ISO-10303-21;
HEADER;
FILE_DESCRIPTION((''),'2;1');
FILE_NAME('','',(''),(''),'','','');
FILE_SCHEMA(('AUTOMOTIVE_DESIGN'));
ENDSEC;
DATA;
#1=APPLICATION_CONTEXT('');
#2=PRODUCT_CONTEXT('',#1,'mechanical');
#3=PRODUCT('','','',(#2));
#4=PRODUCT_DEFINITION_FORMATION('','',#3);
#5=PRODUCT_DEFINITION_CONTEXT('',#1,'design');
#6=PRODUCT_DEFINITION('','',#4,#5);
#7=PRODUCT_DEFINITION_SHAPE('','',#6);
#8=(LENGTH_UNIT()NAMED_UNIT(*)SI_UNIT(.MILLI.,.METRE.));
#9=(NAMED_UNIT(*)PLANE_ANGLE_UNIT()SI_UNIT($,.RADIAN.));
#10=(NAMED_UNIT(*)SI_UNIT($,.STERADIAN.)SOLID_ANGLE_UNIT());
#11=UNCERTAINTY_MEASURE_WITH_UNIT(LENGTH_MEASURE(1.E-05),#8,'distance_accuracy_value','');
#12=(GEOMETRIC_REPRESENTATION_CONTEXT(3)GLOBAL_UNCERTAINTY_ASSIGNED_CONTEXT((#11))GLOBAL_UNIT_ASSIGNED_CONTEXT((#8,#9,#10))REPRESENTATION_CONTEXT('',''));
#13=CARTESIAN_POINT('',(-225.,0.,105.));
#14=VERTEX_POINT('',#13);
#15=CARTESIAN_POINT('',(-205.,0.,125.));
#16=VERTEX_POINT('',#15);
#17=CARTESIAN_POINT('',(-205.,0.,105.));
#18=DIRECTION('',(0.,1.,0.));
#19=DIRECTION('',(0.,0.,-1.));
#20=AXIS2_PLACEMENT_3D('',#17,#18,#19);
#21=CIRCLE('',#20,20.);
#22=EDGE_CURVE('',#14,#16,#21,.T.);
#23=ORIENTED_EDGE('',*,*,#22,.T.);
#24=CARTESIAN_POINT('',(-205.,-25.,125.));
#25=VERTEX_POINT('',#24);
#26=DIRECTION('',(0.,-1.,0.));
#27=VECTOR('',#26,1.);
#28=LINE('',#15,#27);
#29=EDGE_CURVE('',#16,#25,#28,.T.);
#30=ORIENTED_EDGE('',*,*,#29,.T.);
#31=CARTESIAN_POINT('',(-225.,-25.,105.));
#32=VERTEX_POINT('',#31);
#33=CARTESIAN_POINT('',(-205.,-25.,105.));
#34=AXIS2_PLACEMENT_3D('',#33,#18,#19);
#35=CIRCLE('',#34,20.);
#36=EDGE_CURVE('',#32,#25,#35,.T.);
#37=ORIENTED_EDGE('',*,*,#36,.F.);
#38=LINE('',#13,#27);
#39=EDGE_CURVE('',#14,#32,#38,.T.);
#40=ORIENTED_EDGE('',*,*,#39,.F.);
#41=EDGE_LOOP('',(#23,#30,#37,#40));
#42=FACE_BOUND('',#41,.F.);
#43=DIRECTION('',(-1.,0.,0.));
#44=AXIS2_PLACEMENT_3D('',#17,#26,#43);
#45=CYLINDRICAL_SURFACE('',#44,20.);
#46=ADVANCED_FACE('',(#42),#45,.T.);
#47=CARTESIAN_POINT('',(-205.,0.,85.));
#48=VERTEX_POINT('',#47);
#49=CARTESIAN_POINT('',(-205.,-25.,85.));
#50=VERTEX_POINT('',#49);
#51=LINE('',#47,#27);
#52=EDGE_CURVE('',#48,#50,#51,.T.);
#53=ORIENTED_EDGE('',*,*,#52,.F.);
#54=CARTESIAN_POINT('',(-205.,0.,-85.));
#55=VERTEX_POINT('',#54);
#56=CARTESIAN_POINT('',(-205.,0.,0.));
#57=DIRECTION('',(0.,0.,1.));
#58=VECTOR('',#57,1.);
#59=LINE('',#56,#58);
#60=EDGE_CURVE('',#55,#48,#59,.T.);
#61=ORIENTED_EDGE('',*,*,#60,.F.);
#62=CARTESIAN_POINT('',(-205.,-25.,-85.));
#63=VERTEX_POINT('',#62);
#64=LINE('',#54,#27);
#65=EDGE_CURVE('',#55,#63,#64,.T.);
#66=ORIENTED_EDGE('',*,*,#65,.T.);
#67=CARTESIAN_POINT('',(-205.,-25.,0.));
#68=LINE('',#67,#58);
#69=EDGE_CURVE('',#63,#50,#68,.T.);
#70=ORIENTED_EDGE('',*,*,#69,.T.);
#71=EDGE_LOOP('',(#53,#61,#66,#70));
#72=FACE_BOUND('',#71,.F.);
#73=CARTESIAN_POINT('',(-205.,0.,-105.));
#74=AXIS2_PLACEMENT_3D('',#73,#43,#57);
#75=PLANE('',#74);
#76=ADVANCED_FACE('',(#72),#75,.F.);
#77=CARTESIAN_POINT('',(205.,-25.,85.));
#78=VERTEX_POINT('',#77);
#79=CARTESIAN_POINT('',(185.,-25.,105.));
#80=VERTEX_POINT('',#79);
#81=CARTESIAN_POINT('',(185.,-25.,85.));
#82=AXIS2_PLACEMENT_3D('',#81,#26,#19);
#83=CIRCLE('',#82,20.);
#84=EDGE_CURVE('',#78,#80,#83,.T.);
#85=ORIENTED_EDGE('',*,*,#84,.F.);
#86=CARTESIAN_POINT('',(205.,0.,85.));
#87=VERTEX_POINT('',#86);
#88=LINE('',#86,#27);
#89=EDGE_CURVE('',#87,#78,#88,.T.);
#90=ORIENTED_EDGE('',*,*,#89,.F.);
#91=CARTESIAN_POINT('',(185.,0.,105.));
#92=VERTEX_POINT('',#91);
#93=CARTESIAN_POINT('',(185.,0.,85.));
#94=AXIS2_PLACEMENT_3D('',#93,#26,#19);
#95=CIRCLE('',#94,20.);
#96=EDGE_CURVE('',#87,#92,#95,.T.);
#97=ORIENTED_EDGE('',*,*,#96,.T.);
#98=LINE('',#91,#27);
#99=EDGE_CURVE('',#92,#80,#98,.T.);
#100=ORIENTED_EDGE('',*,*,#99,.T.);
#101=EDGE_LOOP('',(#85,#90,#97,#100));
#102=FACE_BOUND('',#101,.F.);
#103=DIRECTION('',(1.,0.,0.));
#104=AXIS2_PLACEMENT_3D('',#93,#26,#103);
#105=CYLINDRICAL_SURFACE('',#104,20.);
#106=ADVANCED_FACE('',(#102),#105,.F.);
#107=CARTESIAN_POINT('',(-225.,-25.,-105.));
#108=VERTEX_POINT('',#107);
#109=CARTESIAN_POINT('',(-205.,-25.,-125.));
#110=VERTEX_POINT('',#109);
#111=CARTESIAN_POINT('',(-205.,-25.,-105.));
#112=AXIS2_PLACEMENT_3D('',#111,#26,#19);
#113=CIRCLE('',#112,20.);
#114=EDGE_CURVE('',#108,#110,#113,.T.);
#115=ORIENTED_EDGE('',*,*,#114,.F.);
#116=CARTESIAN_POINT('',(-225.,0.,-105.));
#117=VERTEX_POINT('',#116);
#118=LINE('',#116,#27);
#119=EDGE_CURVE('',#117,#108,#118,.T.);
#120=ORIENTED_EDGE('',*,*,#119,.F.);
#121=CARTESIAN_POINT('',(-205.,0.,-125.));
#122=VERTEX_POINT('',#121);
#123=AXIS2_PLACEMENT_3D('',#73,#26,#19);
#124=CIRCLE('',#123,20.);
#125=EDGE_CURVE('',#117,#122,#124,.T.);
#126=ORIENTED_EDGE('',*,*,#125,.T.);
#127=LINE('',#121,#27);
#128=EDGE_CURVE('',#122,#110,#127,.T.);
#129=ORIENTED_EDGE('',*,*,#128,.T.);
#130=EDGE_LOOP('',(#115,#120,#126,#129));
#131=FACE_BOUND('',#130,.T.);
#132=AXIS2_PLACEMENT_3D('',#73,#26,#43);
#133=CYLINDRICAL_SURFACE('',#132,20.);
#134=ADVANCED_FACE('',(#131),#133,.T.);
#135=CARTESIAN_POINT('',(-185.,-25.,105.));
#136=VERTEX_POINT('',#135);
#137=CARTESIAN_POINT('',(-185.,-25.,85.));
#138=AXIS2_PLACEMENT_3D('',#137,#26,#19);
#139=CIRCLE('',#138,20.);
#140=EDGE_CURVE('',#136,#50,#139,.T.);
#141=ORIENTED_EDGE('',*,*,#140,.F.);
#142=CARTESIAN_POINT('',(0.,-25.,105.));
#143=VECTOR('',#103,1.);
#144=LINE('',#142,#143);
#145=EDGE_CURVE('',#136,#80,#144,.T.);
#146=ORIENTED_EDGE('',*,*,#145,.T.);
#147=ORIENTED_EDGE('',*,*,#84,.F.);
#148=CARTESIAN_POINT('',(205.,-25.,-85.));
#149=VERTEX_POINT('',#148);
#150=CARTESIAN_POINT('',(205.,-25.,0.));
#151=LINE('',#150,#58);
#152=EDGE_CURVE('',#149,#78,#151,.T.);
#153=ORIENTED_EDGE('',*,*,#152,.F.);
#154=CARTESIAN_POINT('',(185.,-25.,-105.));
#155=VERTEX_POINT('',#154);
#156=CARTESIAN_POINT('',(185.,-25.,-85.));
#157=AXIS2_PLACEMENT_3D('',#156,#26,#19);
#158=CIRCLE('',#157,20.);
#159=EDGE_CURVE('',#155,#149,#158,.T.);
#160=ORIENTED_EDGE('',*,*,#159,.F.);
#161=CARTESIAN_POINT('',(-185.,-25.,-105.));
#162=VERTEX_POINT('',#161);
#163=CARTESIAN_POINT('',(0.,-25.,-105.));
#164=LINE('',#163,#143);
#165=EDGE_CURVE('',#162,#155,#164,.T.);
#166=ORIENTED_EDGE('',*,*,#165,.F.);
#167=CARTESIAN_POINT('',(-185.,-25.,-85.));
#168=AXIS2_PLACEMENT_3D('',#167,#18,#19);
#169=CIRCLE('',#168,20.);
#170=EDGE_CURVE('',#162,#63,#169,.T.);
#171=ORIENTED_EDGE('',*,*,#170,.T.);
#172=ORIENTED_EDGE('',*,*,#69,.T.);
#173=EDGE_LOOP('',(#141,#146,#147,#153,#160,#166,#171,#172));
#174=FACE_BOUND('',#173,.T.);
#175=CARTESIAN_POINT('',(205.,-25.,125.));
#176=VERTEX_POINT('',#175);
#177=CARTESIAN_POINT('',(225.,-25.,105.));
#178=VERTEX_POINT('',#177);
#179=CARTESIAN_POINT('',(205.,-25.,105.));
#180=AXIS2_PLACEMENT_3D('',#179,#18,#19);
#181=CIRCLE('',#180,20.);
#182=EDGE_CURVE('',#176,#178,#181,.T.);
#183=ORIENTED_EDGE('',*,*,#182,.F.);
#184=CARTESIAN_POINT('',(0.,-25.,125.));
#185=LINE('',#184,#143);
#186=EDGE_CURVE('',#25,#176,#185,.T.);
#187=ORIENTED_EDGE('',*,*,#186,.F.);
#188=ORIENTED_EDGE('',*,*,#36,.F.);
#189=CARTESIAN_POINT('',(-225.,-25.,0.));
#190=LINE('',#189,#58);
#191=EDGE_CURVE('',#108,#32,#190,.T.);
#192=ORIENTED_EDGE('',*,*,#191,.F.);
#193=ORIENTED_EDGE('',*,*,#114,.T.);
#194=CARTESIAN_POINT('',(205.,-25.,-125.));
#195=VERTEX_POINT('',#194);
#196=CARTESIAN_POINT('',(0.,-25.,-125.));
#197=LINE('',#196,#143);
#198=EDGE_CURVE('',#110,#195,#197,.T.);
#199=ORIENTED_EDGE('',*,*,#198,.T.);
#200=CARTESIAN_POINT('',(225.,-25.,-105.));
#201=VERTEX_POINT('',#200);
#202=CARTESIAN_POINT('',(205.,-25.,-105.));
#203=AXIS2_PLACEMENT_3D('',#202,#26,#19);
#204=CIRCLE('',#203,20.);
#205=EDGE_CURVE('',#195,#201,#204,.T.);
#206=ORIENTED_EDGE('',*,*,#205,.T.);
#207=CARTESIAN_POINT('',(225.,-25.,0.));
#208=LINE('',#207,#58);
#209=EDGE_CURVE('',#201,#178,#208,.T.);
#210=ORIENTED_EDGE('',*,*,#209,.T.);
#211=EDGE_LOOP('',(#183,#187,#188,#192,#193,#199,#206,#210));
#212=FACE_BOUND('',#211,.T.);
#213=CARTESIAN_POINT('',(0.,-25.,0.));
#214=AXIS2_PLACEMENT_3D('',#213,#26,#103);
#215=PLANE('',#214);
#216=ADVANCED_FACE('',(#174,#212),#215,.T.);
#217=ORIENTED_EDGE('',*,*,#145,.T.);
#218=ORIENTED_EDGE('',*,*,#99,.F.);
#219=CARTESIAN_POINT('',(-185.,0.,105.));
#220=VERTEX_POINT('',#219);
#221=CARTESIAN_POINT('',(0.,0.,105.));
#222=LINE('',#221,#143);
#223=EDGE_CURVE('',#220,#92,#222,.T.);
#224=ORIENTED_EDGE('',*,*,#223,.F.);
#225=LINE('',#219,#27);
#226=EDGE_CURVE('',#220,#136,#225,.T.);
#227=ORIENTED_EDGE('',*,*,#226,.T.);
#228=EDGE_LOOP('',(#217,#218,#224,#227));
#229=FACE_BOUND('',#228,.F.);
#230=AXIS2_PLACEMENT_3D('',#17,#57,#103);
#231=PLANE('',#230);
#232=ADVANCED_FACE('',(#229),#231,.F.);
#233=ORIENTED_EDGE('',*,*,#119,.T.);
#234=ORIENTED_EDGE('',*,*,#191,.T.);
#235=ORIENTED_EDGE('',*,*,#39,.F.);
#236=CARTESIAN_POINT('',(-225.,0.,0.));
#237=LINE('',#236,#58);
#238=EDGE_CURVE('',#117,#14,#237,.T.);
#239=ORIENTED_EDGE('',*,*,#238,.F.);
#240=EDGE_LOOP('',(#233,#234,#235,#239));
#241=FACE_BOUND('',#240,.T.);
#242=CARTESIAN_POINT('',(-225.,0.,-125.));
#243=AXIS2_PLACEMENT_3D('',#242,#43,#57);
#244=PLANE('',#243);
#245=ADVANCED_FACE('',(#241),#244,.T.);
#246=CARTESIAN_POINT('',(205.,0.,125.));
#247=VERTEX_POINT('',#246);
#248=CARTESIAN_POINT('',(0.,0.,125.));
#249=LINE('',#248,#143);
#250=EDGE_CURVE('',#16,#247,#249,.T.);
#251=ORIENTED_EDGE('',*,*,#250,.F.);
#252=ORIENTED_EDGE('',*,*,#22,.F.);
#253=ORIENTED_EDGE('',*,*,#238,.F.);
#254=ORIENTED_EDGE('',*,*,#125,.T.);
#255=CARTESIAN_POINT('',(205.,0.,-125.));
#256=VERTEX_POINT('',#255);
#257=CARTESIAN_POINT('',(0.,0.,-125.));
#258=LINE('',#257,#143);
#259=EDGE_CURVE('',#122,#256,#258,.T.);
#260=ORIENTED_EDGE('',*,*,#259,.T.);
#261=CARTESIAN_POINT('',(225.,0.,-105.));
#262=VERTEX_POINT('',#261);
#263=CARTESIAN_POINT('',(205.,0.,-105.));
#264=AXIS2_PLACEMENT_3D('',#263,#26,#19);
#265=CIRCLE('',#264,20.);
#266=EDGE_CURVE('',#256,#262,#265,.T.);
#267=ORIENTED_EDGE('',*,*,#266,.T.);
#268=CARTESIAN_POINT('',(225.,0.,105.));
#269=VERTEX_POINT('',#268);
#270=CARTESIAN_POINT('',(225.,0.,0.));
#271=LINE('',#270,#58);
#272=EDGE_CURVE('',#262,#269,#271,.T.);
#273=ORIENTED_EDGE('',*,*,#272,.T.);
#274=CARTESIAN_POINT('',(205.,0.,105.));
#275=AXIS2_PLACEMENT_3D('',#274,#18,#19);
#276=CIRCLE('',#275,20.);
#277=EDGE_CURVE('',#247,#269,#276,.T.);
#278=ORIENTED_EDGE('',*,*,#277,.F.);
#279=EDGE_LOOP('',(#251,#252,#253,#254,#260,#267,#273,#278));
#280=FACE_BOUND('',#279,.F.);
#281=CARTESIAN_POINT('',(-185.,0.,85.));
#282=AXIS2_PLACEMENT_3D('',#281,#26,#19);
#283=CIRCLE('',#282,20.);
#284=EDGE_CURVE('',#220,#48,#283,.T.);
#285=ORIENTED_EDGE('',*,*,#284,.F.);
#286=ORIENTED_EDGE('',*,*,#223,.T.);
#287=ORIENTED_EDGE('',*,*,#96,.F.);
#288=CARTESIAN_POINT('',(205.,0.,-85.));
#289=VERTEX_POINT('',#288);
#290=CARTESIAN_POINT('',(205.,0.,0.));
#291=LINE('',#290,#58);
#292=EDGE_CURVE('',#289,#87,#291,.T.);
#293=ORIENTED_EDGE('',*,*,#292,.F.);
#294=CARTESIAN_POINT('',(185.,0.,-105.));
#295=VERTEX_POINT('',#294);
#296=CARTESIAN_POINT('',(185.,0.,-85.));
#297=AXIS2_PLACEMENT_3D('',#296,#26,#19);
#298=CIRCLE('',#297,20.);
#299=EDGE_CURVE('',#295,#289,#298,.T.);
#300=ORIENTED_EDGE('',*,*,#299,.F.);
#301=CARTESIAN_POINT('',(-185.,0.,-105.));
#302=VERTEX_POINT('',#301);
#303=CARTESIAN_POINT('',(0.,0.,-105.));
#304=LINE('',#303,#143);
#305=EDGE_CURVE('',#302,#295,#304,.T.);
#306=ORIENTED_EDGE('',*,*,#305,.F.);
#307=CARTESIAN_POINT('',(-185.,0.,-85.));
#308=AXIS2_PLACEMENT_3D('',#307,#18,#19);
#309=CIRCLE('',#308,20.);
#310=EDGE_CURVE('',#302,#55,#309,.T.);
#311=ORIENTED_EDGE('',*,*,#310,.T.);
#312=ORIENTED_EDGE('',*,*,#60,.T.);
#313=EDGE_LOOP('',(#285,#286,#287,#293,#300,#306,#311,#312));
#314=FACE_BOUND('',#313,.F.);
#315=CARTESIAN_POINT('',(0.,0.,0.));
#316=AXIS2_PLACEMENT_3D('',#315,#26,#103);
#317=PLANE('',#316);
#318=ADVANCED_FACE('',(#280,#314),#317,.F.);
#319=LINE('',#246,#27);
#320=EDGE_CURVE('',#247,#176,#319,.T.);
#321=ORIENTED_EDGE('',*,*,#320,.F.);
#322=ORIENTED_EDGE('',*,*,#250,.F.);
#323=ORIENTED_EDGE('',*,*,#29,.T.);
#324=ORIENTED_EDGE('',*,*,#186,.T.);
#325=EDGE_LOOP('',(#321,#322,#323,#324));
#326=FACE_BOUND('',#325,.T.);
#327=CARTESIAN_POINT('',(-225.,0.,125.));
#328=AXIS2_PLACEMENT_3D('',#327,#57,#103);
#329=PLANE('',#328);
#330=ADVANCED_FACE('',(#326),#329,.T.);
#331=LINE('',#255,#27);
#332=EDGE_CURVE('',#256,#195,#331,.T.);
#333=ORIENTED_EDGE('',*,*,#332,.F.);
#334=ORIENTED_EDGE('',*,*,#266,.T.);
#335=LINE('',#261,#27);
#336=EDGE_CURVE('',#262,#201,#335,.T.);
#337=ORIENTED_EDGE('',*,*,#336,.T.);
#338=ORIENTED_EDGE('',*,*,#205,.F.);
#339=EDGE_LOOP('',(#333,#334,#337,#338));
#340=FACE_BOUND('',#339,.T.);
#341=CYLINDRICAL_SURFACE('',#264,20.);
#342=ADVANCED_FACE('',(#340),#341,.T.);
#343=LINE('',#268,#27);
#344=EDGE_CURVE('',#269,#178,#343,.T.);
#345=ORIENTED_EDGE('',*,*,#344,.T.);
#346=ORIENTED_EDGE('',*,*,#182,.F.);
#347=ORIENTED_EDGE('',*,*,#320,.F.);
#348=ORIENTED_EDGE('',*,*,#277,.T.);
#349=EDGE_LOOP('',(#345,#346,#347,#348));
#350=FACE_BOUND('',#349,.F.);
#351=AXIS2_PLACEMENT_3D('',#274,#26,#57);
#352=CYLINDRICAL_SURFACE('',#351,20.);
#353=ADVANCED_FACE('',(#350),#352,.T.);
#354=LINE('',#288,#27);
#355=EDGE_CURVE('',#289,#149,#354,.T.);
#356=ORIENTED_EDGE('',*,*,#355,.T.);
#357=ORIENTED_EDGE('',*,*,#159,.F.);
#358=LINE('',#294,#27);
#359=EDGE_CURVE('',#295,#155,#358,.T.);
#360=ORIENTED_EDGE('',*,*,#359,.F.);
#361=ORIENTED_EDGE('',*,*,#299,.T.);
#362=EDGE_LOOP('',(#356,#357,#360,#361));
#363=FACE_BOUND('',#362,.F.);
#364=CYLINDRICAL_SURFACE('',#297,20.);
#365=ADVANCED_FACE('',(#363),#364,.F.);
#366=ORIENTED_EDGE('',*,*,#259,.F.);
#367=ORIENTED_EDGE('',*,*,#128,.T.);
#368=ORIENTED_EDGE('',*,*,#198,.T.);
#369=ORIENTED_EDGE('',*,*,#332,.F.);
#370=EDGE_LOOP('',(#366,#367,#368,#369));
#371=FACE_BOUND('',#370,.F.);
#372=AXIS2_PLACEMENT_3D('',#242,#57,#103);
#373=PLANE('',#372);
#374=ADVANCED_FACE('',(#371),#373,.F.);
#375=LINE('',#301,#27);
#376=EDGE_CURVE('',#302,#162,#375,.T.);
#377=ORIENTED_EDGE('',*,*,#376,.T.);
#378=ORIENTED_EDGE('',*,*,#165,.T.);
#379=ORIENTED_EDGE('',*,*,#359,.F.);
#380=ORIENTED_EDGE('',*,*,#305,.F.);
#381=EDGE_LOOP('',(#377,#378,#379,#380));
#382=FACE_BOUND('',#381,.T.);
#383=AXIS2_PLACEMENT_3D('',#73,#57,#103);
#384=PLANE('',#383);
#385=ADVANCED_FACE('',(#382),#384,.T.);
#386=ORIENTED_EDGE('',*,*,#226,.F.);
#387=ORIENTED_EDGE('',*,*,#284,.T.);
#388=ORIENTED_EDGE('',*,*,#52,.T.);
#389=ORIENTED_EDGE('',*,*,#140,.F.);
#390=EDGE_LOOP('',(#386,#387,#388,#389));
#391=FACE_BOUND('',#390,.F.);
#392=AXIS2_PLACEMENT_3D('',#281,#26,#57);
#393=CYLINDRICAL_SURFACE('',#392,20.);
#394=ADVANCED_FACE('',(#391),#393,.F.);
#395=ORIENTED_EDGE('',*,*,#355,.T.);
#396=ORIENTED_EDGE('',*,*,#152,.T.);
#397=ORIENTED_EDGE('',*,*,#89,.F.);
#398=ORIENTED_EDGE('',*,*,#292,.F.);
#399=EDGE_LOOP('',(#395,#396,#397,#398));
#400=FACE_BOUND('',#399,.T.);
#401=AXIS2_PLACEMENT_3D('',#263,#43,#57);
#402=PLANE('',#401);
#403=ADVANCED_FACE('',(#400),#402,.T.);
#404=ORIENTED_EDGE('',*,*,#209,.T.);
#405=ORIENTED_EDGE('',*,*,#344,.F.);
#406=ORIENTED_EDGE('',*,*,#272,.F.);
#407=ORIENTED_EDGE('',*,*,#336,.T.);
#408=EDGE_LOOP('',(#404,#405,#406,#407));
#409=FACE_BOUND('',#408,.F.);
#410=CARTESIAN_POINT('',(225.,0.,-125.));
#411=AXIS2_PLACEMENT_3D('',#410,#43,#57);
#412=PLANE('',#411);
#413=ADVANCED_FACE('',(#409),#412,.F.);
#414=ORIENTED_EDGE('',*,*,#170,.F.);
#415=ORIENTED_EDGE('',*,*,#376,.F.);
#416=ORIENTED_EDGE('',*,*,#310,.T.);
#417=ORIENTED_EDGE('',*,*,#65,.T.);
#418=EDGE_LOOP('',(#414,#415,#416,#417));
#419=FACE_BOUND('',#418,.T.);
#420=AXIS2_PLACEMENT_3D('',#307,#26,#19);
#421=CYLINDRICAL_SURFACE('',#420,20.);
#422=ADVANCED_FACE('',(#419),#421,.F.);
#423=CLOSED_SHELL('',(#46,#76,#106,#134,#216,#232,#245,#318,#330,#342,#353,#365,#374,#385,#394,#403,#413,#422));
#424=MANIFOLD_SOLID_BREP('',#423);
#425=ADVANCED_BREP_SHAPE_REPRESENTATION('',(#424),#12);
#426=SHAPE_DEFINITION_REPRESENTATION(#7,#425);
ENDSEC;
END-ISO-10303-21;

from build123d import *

# Parameters (mm, degrees)
F0_W     = 450
F0_H     = 250
F0_W_2   = 410
F0_H_2   = 210
F1_DEPTH = 25
F2_R     = 20


with BuildPart() as f1:
    # F0 (on Front) → F1 (new body)
    with BuildSketch(Plane.XZ):
        Rectangle(F0_W, F0_H)
        Rectangle(F0_W_2, F0_H_2, mode=Mode.SUBTRACT)
    extrude(amount=F1_DEPTH)

    # F2
    f2_edges = [f1.edges().sort_by_distance(p)[0] for p in [
        (-205, -12.5, 105),
        (205, -12.5, 105),
        (205, -12.5, -105),
        (-205, -12.5, -105),
        (-225, -12.5, 125),
        (225, -12.5, 125),
        (225, -12.5, -125),
        (-225, -12.5, -125),
    ]]
    fillet(f2_edges, radius=F2_R)


solid = f1.part
